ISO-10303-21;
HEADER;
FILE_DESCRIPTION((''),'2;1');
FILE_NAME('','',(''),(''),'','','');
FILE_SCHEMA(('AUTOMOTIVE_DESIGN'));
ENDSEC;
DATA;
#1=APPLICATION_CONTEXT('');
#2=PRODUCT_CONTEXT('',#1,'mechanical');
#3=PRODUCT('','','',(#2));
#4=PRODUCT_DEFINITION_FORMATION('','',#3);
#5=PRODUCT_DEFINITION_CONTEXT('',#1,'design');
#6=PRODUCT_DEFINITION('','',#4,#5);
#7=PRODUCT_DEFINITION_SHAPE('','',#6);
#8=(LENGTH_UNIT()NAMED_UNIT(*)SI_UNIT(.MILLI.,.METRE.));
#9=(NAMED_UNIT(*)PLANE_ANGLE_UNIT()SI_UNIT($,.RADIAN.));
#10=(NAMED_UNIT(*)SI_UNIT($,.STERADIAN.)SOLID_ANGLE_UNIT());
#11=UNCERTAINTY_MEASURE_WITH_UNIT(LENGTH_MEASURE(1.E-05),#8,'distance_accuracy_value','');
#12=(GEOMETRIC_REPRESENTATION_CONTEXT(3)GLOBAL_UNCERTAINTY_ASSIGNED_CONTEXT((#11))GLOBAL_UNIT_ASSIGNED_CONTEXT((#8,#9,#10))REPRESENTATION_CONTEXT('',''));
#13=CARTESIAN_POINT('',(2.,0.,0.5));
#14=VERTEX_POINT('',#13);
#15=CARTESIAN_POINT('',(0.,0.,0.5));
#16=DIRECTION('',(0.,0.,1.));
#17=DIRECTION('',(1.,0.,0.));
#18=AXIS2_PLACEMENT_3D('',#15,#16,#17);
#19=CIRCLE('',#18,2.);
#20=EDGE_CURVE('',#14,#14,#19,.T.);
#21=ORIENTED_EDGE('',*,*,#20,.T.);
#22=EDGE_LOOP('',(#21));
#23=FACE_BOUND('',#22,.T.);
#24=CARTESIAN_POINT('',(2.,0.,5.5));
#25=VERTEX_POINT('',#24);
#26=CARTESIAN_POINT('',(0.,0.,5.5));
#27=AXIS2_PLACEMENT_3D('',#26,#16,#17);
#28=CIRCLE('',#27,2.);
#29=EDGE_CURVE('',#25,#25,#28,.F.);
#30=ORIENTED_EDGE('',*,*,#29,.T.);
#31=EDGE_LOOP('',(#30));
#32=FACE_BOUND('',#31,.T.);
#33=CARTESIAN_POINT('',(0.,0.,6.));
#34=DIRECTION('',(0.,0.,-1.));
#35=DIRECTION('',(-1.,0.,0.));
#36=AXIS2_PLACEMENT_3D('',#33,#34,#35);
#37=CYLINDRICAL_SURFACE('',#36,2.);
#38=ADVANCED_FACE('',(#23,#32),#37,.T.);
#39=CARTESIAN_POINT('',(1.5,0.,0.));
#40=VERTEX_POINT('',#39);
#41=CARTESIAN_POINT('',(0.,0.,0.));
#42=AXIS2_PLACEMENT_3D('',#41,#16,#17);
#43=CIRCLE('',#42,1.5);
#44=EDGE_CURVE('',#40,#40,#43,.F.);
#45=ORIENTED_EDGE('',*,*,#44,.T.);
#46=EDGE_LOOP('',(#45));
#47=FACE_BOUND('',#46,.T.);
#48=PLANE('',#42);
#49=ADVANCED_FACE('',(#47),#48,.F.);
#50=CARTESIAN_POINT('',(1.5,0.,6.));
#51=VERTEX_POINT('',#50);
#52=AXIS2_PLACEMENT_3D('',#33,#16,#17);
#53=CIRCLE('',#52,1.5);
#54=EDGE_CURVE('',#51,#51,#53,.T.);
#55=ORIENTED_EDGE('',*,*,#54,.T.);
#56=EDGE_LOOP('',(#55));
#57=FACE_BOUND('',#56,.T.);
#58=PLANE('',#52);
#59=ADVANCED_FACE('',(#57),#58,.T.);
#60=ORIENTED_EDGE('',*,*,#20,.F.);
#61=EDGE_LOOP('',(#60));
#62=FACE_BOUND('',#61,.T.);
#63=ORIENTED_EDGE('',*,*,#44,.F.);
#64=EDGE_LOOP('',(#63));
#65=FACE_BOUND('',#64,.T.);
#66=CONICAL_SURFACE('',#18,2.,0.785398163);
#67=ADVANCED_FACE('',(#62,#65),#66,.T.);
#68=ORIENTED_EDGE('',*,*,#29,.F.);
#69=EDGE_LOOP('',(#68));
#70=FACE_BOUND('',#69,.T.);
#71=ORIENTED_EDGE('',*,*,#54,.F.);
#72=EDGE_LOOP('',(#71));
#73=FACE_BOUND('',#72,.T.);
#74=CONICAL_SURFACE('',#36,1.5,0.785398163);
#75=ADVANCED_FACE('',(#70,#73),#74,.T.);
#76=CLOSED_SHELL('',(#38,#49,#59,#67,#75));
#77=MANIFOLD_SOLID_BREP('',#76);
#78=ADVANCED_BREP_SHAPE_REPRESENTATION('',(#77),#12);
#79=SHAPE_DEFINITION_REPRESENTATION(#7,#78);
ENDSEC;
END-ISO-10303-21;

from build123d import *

# Parameters (mm, degrees)
SKETCH1_R           = 2
BOSS_EXTRUDE1_DEPTH = 6
CHAMFER1_SIZE       = 0.5


with BuildPart() as part:
    # Sketch1 → Boss-Extrude1 (new body)
    with BuildSketch(Plane.XY):
        Circle(SKETCH1_R)
    extrude(amount=BOSS_EXTRUDE1_DEPTH)

    # Chamfer1
    chamfer1_edges = [part.edges().sort_by_distance(p)[0] for p in [
        (-2, 0, 0),
        (-2, 0, 6),
    ]]
    chamfer(chamfer1_edges, length=CHAMFER1_SIZE)


solid = part.part
